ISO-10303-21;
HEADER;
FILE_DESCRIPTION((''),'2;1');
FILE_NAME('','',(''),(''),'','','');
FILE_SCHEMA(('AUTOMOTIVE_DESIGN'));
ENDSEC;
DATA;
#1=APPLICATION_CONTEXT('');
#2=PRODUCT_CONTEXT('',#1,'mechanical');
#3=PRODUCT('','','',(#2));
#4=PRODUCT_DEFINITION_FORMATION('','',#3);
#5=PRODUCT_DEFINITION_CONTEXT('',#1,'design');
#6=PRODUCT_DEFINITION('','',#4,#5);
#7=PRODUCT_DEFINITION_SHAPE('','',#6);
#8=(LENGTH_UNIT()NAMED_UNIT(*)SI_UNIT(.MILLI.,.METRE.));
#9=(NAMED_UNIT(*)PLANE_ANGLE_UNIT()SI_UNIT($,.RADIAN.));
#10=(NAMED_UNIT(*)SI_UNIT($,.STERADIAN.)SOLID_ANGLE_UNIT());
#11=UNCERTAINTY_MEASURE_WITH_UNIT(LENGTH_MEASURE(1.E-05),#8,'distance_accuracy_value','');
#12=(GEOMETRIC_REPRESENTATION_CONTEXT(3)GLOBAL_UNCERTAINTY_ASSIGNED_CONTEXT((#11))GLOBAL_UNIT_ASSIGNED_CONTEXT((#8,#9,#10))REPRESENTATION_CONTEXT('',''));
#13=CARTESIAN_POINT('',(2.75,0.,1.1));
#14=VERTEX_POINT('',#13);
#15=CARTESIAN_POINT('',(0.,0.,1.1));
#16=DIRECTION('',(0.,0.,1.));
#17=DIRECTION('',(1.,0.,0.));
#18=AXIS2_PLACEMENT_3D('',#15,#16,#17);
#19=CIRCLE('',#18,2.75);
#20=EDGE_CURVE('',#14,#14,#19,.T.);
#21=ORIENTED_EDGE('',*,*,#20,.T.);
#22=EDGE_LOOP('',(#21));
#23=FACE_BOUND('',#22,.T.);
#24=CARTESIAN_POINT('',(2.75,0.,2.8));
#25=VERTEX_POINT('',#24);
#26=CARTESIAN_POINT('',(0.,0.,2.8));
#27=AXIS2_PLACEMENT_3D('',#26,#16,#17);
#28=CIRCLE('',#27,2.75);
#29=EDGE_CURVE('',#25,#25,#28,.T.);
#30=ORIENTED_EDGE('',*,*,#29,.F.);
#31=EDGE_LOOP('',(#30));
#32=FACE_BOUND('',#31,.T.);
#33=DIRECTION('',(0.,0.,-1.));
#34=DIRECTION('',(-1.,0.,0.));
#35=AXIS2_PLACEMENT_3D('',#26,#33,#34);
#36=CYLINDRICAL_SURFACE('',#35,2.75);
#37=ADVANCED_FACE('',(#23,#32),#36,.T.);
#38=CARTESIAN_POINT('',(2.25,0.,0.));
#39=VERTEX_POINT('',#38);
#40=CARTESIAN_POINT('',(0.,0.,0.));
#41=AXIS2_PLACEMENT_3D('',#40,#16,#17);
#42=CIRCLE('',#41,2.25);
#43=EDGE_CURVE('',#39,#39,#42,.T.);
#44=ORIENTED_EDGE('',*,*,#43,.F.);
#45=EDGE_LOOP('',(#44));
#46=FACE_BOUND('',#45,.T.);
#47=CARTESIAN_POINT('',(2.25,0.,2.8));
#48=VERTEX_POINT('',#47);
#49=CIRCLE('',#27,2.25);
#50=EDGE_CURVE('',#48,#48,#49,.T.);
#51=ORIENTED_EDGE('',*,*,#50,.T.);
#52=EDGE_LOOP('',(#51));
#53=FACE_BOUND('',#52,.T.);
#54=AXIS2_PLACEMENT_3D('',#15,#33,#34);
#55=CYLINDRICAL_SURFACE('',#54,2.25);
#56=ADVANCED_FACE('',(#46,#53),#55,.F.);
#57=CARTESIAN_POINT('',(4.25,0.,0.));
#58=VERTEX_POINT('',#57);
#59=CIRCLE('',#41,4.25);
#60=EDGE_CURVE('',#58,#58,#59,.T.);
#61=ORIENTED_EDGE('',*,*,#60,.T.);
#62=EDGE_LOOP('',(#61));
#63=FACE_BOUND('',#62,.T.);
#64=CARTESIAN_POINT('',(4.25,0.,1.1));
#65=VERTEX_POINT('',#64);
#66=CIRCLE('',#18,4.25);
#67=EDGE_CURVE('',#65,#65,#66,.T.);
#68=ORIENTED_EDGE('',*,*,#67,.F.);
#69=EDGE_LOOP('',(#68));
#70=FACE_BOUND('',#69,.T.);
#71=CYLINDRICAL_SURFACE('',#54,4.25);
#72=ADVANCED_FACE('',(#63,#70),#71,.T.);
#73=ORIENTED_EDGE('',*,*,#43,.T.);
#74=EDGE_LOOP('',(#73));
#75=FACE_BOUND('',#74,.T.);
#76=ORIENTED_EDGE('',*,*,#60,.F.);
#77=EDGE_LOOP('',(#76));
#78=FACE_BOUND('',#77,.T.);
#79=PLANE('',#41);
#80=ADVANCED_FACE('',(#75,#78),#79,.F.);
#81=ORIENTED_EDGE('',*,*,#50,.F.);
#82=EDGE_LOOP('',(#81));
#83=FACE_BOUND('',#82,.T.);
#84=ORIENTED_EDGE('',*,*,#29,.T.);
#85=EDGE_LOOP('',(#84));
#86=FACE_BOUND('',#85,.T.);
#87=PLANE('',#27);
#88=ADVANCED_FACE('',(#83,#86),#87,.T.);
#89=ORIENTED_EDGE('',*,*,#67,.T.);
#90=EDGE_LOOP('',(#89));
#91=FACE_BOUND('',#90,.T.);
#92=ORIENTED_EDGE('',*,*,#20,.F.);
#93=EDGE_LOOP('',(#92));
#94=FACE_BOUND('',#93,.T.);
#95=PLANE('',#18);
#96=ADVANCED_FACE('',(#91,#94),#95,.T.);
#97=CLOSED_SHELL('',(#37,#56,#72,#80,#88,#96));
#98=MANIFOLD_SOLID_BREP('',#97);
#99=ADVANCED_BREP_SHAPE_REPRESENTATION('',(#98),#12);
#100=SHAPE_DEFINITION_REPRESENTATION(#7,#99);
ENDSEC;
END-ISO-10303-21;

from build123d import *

# Parameters (mm, degrees)
SKETCH1_R           = 4.25
SKETCH1_R_2         = 2.25
BOSS_EXTRUDE1_DEPTH = 1.1
SKETCH2_R           = 2.75
SKETCH2_R_2         = 2.25
BOSS_EXTRUDE2_DEPTH = 1.7


with BuildPart() as part:
    # Sketch1 → Boss-Extrude1 (new body)
    with BuildSketch(Plane.XY):
        Circle(SKETCH1_R)
        Circle(SKETCH1_R_2, mode=Mode.SUBTRACT)
    extrude(amount=BOSS_EXTRUDE1_DEPTH)

    # Sketch2 → Boss-Extrude2 (add)
    with BuildSketch(Plane.XY.offset(1.1)):
        Circle(SKETCH2_R)
        Circle(SKETCH2_R_2, mode=Mode.SUBTRACT)
    extrude(amount=BOSS_EXTRUDE2_DEPTH)


solid = part.part
